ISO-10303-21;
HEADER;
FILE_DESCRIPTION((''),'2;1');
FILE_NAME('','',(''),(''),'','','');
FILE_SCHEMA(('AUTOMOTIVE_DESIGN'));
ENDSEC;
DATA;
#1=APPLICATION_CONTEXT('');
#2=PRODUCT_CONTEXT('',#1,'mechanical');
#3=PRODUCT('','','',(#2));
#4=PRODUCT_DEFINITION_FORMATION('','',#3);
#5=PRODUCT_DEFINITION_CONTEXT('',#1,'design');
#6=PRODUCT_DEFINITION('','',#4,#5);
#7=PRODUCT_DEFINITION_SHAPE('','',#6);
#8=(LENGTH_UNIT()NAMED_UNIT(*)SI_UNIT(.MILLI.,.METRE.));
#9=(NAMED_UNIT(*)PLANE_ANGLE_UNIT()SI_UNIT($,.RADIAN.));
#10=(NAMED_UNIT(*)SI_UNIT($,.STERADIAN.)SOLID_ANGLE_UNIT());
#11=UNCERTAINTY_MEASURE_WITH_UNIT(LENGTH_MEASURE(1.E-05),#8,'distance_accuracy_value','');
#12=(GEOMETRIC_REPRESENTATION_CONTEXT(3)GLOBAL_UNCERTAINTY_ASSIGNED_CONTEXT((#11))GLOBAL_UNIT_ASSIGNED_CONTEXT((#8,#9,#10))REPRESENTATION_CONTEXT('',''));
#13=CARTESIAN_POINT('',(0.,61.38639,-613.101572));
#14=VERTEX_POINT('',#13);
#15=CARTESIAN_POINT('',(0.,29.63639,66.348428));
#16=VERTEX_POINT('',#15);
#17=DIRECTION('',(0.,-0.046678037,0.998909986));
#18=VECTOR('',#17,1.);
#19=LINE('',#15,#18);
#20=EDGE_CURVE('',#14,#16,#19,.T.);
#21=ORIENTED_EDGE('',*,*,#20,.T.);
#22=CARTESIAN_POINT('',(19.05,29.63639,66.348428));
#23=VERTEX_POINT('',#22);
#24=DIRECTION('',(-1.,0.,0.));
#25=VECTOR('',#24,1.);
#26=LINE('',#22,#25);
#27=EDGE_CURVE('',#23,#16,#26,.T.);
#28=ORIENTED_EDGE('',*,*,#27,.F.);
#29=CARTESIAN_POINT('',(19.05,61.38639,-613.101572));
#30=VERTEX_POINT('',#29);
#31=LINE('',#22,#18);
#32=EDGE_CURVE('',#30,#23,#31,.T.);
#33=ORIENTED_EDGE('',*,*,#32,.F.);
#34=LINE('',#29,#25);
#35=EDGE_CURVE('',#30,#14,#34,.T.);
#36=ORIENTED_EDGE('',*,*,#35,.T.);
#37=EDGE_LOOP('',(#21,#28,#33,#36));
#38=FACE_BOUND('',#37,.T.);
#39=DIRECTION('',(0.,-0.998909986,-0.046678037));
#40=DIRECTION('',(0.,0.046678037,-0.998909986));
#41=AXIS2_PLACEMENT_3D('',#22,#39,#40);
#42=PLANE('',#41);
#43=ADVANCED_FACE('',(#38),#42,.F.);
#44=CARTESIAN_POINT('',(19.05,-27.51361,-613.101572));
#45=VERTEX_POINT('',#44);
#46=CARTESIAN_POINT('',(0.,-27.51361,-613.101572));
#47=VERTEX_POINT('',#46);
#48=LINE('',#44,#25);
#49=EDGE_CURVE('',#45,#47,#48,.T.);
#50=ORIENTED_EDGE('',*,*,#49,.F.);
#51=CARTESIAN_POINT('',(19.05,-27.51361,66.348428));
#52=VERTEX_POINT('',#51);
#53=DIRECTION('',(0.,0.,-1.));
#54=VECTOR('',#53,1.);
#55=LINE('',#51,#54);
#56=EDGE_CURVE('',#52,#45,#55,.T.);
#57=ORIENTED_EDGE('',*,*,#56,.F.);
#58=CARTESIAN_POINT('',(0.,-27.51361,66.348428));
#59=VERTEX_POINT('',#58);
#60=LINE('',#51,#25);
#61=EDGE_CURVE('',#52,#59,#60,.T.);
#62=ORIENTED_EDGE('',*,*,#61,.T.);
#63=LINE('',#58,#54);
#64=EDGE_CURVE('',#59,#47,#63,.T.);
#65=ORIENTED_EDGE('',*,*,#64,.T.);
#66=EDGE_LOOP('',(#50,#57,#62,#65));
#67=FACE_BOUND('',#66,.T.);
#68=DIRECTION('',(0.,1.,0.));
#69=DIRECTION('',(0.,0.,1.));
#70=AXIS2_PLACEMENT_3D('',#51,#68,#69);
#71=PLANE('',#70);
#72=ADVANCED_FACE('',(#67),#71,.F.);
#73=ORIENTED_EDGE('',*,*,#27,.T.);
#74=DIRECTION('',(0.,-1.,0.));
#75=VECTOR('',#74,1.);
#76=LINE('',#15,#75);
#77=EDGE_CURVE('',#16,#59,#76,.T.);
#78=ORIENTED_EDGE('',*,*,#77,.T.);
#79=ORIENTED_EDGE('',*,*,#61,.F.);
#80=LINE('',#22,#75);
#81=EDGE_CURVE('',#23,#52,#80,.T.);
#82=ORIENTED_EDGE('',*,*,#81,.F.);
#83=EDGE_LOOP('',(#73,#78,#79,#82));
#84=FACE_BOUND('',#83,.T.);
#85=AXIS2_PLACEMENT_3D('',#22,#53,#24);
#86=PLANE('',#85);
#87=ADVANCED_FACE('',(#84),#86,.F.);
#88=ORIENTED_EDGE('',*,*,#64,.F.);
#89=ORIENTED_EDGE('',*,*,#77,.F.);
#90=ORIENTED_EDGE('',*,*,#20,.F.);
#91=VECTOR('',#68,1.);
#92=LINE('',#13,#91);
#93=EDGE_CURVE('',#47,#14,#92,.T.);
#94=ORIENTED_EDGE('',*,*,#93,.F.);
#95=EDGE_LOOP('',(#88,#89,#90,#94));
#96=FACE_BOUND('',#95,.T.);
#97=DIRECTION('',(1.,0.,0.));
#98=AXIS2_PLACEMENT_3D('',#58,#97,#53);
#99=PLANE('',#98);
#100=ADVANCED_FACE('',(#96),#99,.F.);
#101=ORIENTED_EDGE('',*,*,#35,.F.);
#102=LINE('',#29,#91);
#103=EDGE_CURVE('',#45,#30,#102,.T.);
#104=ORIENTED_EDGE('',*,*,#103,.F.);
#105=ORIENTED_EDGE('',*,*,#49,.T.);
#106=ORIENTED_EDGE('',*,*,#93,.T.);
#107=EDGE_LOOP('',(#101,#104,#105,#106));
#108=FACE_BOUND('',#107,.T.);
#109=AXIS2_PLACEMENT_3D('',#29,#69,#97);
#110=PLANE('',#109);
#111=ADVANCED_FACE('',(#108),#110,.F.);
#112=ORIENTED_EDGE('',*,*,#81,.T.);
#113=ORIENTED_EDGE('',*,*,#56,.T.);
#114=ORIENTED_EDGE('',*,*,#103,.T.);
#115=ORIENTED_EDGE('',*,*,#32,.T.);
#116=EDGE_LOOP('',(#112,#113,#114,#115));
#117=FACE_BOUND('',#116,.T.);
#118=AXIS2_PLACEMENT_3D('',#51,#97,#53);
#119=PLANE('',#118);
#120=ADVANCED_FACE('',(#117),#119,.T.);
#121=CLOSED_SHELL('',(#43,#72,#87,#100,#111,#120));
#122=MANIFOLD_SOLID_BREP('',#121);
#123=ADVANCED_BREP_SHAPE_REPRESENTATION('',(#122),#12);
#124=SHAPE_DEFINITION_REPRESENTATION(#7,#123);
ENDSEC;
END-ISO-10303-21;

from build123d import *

# Parameters (mm, degrees)
EXTRUDE1_DEPTH = 19.05


with BuildPart() as part:
    # Sketch1 → Extrude1 (new body)
    with BuildSketch(Plane(origin=(0, 0, 0), x_dir=(0, 0, -1), z_dir=(1, 0, 0))):
        Polygon((-66.348427583, 29.636390306), (613.101572417, 61.386390306), (613.101572417, -27.513609694), (-66.348427583, -27.513609694), align=None)
    extrude(amount=EXTRUDE1_DEPTH)


solid = part.part
